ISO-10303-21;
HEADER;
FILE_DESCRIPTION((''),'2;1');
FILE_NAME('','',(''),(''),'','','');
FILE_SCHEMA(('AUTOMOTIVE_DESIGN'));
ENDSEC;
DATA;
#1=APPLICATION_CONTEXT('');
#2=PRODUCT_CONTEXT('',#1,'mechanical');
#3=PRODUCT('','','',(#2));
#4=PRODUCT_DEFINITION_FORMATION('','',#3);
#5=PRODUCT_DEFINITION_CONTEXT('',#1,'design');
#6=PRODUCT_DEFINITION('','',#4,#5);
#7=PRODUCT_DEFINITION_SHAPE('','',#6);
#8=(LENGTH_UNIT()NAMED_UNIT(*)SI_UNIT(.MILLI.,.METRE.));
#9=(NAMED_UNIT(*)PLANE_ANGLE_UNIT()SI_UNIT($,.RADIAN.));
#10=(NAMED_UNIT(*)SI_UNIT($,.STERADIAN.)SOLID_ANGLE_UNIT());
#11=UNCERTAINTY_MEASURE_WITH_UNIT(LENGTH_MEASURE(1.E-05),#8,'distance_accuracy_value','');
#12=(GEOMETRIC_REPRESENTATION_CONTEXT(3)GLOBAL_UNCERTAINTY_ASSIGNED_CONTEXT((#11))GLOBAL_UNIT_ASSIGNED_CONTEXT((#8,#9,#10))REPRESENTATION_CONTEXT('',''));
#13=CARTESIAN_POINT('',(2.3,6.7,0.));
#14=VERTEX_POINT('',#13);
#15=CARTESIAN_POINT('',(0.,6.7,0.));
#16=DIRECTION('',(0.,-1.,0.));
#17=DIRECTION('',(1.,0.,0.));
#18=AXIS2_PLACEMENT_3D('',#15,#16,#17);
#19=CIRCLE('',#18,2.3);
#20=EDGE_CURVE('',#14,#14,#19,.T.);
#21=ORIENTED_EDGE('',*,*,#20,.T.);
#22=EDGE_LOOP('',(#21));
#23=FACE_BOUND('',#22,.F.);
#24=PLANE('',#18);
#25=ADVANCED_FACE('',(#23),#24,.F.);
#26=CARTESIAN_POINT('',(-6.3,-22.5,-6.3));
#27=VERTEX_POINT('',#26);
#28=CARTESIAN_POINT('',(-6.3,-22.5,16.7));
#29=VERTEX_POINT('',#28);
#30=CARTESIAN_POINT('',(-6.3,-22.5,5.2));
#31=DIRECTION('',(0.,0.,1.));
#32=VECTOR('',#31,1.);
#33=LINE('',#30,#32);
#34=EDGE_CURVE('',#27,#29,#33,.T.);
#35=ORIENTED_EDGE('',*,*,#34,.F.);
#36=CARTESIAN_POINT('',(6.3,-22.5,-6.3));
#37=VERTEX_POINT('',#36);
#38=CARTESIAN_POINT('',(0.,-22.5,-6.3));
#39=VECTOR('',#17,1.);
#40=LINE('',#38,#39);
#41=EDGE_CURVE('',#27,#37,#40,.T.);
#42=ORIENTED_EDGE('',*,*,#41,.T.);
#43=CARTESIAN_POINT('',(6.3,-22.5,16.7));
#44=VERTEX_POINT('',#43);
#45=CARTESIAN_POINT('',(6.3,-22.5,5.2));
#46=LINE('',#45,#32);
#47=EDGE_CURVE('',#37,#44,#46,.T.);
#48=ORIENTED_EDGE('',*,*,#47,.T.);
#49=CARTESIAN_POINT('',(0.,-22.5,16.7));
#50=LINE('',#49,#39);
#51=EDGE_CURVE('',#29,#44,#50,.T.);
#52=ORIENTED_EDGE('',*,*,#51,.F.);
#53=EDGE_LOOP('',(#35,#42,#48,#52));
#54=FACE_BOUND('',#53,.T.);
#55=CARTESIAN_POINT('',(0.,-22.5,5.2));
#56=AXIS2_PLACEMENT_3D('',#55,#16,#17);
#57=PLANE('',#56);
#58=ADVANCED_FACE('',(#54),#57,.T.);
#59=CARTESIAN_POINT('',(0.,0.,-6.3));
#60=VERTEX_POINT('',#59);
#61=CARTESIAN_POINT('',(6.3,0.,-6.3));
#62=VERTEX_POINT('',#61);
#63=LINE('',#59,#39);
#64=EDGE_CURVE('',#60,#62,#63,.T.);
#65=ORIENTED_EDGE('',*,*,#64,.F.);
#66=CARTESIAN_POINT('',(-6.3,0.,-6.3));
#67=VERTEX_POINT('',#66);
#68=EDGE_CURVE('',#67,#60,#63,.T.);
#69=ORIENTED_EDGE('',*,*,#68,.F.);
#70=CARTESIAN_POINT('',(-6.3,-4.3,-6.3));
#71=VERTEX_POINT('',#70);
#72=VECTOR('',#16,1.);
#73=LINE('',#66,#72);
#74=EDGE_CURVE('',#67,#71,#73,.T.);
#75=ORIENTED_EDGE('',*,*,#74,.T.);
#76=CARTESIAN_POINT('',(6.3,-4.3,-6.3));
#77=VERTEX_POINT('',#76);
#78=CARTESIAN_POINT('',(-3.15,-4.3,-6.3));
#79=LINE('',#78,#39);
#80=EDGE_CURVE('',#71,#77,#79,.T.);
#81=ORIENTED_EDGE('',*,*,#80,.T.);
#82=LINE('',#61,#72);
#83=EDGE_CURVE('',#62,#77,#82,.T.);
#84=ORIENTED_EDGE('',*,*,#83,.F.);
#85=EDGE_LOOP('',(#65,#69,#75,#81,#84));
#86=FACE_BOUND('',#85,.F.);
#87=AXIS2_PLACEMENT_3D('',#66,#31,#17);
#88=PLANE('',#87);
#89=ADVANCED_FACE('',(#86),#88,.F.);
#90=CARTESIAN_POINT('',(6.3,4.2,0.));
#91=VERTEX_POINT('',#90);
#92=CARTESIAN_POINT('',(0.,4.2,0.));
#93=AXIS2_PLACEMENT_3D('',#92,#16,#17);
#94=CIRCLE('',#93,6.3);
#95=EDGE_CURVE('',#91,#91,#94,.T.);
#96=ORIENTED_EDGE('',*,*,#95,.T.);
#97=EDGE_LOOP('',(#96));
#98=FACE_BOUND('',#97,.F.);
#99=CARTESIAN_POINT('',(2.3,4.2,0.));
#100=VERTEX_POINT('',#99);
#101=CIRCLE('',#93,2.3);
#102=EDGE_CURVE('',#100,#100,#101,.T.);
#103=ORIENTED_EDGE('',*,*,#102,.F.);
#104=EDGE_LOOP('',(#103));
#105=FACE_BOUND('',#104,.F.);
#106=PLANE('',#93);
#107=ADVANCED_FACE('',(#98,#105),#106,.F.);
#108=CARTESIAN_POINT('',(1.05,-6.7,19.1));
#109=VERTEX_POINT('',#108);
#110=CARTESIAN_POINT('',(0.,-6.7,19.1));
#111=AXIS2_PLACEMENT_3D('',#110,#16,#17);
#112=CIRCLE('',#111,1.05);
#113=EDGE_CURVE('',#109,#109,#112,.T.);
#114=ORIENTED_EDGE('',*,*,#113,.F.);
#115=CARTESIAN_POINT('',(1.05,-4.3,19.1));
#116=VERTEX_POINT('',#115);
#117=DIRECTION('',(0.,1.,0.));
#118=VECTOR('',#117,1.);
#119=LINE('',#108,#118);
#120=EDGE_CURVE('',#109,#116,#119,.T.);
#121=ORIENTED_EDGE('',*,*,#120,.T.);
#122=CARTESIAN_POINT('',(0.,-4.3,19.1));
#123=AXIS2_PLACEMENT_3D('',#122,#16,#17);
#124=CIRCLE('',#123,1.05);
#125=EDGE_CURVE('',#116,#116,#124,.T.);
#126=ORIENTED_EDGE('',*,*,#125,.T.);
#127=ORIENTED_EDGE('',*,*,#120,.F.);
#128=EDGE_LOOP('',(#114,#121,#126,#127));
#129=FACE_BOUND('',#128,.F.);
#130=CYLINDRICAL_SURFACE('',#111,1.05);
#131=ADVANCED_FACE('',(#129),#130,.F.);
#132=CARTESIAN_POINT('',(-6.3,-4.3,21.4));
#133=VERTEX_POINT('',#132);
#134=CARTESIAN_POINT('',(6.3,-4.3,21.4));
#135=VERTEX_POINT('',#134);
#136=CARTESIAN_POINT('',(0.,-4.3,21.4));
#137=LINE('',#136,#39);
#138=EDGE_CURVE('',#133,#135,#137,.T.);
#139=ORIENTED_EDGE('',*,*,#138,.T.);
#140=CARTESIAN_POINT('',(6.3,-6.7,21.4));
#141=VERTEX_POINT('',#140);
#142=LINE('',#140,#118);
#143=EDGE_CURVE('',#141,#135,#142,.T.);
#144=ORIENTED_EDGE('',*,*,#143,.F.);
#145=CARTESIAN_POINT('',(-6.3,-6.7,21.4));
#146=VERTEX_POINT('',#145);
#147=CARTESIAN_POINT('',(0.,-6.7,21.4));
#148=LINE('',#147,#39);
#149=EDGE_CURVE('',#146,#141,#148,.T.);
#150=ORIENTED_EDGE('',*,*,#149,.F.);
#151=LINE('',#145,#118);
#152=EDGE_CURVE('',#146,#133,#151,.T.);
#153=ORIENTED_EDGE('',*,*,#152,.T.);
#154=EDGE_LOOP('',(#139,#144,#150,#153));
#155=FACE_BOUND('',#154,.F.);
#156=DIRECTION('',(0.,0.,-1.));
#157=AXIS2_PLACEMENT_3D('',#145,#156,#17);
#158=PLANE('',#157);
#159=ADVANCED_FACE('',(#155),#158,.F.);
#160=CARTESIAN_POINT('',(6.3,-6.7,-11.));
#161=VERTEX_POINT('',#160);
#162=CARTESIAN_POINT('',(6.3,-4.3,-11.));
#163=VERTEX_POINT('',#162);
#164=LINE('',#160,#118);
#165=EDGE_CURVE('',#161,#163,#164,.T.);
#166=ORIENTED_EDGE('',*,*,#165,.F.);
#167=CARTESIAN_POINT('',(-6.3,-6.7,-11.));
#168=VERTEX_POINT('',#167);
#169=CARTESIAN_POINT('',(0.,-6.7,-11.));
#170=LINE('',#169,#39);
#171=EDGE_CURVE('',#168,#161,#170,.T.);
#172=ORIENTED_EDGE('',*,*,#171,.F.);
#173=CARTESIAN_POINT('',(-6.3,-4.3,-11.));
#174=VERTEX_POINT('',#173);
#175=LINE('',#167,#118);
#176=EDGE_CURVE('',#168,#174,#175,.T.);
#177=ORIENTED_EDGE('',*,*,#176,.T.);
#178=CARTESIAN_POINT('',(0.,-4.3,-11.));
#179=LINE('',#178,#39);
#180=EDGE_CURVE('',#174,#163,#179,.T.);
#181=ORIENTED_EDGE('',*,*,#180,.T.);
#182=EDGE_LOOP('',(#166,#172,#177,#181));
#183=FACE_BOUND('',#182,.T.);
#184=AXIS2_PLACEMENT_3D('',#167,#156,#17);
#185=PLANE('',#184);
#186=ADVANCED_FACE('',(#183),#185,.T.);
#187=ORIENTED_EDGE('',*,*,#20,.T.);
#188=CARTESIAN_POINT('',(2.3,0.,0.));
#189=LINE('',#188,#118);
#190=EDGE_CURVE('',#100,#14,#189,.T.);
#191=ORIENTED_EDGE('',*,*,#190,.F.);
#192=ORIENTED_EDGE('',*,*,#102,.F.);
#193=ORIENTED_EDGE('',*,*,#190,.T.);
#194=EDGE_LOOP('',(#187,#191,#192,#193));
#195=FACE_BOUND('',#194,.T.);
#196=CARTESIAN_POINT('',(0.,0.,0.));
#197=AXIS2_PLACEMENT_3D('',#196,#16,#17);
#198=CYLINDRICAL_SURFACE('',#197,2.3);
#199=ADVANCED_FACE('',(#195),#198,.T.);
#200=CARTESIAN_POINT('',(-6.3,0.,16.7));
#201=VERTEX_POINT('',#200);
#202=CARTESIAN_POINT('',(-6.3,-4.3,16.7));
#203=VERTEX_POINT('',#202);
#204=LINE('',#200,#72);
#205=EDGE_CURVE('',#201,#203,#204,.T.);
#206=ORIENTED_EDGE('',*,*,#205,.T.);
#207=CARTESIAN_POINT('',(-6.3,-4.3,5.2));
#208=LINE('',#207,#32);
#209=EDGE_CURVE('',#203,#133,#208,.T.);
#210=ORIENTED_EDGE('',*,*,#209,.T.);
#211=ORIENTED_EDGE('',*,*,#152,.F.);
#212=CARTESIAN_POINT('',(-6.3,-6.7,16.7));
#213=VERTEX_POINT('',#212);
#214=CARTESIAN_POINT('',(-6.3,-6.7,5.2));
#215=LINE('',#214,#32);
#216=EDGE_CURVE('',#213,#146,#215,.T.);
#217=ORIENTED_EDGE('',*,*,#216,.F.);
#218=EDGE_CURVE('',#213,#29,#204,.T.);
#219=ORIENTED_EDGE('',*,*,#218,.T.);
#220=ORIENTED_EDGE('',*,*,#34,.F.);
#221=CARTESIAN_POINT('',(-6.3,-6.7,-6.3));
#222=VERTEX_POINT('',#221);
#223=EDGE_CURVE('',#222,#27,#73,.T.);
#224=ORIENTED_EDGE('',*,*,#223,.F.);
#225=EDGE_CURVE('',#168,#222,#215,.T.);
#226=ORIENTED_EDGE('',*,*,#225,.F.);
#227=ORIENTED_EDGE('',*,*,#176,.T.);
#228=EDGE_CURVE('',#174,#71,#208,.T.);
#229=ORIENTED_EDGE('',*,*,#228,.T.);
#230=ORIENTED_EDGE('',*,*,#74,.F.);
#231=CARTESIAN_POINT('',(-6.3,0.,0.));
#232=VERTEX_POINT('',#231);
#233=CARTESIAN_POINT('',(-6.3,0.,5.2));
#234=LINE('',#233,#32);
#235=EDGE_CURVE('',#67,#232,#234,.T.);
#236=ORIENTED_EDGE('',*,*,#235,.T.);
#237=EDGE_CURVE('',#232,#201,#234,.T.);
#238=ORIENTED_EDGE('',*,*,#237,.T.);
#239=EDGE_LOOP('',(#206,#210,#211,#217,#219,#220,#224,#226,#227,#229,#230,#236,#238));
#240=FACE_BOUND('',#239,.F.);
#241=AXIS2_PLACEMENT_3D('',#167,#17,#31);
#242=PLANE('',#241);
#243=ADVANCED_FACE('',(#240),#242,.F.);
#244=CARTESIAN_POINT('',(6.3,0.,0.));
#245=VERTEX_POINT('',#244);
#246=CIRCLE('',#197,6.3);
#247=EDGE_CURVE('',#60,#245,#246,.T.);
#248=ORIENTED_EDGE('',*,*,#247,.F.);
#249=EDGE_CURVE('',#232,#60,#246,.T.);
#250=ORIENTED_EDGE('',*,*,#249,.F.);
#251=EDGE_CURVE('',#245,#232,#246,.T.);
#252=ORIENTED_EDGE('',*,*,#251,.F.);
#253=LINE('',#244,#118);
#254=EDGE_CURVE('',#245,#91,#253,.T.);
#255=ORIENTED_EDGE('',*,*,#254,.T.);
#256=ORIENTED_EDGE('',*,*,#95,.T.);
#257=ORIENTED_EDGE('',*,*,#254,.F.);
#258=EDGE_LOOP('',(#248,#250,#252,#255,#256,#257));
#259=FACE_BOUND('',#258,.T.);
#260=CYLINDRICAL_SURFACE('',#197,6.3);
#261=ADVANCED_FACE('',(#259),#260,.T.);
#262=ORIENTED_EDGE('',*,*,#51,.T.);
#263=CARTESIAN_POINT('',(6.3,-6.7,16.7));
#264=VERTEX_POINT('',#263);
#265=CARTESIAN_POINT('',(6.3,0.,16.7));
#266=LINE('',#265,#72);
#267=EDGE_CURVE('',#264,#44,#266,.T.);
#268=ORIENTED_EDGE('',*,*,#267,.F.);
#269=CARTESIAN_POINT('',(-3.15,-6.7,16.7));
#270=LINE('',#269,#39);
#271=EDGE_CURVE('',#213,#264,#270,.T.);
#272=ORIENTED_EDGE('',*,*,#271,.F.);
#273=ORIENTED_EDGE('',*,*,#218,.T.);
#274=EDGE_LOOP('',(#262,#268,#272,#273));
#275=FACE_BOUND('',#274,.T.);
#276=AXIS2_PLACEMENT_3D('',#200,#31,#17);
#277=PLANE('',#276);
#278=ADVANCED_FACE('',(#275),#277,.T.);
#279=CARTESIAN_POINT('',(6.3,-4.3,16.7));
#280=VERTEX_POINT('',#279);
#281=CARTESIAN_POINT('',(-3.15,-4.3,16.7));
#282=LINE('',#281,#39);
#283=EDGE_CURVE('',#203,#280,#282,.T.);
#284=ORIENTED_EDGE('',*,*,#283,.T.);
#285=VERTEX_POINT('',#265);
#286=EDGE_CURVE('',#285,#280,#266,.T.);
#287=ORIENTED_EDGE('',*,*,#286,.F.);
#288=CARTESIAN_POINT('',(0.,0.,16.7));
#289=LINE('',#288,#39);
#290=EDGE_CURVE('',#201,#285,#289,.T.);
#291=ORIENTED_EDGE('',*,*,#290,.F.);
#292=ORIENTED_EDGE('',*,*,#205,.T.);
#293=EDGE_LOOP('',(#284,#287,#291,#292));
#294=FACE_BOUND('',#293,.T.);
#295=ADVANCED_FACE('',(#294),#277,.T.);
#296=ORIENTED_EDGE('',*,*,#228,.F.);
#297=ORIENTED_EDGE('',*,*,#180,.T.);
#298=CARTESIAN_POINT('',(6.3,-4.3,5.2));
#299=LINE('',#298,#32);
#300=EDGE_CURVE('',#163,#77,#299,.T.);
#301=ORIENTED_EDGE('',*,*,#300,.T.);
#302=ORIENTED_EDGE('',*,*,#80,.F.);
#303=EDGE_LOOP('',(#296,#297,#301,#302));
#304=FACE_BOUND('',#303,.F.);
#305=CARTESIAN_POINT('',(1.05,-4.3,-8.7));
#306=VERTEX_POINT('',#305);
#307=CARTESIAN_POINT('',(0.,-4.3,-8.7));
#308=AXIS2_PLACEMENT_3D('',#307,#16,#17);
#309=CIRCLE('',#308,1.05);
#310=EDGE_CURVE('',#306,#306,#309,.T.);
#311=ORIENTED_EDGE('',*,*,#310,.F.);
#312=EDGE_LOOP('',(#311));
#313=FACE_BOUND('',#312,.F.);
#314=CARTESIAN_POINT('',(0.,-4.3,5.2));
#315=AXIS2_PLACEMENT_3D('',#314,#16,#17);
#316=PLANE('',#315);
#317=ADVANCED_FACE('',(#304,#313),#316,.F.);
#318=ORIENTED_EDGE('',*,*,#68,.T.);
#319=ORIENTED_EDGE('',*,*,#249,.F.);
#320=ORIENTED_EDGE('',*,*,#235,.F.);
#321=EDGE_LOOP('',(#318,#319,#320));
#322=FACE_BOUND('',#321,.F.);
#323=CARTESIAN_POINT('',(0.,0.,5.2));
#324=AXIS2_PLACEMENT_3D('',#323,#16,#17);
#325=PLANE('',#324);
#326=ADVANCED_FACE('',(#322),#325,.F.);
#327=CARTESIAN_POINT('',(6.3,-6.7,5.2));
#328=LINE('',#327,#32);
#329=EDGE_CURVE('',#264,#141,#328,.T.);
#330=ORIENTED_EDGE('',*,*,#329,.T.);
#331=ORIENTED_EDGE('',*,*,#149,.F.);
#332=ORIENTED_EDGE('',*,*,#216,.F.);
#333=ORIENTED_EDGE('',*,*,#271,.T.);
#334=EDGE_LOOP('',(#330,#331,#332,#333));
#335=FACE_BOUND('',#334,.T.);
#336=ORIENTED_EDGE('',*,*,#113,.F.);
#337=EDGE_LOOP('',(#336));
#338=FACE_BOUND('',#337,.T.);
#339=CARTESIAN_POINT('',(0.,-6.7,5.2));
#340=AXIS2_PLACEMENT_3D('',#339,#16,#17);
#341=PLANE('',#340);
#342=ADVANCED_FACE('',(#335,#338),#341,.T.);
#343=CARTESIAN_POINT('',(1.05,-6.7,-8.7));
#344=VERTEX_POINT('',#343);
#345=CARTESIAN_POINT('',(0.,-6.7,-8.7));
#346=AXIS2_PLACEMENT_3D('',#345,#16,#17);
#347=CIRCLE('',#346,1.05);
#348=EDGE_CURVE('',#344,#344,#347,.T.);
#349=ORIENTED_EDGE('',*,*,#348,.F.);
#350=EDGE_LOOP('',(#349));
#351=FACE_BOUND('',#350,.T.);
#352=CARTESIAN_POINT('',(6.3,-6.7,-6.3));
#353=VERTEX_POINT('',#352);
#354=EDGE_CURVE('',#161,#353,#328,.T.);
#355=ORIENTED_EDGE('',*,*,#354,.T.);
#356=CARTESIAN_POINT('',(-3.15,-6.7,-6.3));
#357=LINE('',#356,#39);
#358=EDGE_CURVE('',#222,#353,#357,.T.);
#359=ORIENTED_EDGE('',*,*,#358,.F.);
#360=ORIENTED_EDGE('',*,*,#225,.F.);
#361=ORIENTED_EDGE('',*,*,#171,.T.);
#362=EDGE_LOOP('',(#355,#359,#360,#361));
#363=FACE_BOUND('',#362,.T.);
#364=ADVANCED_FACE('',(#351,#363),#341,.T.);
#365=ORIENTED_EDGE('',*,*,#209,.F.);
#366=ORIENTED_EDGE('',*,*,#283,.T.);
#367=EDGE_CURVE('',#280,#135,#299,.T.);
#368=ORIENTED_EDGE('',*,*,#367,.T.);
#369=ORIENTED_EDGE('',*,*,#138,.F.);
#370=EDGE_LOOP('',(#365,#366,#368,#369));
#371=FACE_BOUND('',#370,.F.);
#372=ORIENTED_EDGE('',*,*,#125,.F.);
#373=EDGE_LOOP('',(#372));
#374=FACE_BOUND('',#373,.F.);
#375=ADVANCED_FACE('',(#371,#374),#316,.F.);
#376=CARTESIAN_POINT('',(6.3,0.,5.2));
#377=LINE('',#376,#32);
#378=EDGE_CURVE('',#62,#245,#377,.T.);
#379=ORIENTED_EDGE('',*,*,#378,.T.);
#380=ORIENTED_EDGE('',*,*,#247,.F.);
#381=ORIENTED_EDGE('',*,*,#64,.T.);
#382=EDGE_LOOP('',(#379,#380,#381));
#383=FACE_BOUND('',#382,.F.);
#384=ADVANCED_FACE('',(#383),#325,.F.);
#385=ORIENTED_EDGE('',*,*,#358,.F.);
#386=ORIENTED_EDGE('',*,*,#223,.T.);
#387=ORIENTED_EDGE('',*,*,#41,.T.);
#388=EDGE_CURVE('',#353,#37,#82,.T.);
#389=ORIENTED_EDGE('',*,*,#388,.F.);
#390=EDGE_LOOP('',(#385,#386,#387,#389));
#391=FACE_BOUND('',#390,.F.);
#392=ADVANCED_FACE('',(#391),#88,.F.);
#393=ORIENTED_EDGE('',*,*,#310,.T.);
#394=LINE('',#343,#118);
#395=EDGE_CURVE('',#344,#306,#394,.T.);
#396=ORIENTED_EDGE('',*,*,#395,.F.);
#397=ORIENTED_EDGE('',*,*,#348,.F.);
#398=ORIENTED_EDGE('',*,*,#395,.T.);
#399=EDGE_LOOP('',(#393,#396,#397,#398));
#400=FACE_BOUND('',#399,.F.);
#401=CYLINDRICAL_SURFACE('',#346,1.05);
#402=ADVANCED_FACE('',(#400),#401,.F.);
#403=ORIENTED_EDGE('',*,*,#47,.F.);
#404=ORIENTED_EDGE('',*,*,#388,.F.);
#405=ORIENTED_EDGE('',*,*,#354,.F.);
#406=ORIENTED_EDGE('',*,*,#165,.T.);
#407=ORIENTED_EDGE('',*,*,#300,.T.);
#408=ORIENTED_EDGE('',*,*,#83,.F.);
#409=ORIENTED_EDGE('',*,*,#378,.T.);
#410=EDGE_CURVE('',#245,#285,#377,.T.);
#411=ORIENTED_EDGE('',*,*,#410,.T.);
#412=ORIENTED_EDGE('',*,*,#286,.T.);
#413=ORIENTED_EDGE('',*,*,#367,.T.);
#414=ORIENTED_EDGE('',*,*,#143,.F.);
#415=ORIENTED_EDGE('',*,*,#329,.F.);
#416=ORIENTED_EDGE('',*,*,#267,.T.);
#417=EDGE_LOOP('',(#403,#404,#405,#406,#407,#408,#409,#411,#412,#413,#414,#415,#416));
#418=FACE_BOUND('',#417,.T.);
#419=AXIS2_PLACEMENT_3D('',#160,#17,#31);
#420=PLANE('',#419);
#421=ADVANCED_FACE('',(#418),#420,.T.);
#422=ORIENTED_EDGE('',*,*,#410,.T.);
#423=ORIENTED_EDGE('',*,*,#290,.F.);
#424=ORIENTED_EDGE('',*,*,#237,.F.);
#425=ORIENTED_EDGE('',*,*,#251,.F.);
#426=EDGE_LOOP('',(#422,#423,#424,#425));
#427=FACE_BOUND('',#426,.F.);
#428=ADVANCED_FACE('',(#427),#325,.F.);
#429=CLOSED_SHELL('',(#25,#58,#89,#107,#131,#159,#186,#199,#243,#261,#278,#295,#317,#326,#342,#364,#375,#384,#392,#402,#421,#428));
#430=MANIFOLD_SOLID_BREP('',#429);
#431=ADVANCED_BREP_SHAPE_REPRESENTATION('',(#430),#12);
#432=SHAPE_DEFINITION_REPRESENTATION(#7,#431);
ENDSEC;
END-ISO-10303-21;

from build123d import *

# Parameters (mm, degrees)
F0_W      = 12.6
F0_H      = 23
F1_DEPTH  = 22.5
F3_W      = 12.6
F3_H      = 32.4
F4_DEPTH  = 2.4
F5_R      = 1.05
F6_DEPTH  = 25
F7_R      = 6.3
F8_DEPTH  = 4.2
F9_R      = 2.3
F10_DEPTH = 6.7


with BuildPart() as f1:
    # F0 (on Front) → F1 (new body)
    with BuildSketch(Plane.XZ):
        with Locations((0, 5.2)):
            Rectangle(F0_W, F0_H)
    extrude(amount=F1_DEPTH)

    # F3 (on offset) → F4 (join)
    with BuildSketch(Plane.XZ.offset(6.7)):
        with Locations((0, 5.2)):
            Rectangle(F3_W, F3_H)
    extrude(amount=-F4_DEPTH)

    # F5 (on offset) → F6 (cut)
    with BuildSketch(Plane.XZ.offset(6.7)):
        with Locations((0, 19.1)):
            Circle(F5_R)
        with Locations((0, -8.7)):
            Circle(F5_R)
    extrude(amount=-F6_DEPTH, mode=Mode.SUBTRACT)

    # F7 (on Front) → F8 (join)
    with BuildSketch(Plane.XZ):
        Circle(F7_R)
    extrude(amount=-F8_DEPTH)

    # F9 (on Front) → F10 (join)
    with BuildSketch(Plane.XZ):
        Circle(F9_R)
    extrude(amount=-F10_DEPTH)


solid = f1.part
